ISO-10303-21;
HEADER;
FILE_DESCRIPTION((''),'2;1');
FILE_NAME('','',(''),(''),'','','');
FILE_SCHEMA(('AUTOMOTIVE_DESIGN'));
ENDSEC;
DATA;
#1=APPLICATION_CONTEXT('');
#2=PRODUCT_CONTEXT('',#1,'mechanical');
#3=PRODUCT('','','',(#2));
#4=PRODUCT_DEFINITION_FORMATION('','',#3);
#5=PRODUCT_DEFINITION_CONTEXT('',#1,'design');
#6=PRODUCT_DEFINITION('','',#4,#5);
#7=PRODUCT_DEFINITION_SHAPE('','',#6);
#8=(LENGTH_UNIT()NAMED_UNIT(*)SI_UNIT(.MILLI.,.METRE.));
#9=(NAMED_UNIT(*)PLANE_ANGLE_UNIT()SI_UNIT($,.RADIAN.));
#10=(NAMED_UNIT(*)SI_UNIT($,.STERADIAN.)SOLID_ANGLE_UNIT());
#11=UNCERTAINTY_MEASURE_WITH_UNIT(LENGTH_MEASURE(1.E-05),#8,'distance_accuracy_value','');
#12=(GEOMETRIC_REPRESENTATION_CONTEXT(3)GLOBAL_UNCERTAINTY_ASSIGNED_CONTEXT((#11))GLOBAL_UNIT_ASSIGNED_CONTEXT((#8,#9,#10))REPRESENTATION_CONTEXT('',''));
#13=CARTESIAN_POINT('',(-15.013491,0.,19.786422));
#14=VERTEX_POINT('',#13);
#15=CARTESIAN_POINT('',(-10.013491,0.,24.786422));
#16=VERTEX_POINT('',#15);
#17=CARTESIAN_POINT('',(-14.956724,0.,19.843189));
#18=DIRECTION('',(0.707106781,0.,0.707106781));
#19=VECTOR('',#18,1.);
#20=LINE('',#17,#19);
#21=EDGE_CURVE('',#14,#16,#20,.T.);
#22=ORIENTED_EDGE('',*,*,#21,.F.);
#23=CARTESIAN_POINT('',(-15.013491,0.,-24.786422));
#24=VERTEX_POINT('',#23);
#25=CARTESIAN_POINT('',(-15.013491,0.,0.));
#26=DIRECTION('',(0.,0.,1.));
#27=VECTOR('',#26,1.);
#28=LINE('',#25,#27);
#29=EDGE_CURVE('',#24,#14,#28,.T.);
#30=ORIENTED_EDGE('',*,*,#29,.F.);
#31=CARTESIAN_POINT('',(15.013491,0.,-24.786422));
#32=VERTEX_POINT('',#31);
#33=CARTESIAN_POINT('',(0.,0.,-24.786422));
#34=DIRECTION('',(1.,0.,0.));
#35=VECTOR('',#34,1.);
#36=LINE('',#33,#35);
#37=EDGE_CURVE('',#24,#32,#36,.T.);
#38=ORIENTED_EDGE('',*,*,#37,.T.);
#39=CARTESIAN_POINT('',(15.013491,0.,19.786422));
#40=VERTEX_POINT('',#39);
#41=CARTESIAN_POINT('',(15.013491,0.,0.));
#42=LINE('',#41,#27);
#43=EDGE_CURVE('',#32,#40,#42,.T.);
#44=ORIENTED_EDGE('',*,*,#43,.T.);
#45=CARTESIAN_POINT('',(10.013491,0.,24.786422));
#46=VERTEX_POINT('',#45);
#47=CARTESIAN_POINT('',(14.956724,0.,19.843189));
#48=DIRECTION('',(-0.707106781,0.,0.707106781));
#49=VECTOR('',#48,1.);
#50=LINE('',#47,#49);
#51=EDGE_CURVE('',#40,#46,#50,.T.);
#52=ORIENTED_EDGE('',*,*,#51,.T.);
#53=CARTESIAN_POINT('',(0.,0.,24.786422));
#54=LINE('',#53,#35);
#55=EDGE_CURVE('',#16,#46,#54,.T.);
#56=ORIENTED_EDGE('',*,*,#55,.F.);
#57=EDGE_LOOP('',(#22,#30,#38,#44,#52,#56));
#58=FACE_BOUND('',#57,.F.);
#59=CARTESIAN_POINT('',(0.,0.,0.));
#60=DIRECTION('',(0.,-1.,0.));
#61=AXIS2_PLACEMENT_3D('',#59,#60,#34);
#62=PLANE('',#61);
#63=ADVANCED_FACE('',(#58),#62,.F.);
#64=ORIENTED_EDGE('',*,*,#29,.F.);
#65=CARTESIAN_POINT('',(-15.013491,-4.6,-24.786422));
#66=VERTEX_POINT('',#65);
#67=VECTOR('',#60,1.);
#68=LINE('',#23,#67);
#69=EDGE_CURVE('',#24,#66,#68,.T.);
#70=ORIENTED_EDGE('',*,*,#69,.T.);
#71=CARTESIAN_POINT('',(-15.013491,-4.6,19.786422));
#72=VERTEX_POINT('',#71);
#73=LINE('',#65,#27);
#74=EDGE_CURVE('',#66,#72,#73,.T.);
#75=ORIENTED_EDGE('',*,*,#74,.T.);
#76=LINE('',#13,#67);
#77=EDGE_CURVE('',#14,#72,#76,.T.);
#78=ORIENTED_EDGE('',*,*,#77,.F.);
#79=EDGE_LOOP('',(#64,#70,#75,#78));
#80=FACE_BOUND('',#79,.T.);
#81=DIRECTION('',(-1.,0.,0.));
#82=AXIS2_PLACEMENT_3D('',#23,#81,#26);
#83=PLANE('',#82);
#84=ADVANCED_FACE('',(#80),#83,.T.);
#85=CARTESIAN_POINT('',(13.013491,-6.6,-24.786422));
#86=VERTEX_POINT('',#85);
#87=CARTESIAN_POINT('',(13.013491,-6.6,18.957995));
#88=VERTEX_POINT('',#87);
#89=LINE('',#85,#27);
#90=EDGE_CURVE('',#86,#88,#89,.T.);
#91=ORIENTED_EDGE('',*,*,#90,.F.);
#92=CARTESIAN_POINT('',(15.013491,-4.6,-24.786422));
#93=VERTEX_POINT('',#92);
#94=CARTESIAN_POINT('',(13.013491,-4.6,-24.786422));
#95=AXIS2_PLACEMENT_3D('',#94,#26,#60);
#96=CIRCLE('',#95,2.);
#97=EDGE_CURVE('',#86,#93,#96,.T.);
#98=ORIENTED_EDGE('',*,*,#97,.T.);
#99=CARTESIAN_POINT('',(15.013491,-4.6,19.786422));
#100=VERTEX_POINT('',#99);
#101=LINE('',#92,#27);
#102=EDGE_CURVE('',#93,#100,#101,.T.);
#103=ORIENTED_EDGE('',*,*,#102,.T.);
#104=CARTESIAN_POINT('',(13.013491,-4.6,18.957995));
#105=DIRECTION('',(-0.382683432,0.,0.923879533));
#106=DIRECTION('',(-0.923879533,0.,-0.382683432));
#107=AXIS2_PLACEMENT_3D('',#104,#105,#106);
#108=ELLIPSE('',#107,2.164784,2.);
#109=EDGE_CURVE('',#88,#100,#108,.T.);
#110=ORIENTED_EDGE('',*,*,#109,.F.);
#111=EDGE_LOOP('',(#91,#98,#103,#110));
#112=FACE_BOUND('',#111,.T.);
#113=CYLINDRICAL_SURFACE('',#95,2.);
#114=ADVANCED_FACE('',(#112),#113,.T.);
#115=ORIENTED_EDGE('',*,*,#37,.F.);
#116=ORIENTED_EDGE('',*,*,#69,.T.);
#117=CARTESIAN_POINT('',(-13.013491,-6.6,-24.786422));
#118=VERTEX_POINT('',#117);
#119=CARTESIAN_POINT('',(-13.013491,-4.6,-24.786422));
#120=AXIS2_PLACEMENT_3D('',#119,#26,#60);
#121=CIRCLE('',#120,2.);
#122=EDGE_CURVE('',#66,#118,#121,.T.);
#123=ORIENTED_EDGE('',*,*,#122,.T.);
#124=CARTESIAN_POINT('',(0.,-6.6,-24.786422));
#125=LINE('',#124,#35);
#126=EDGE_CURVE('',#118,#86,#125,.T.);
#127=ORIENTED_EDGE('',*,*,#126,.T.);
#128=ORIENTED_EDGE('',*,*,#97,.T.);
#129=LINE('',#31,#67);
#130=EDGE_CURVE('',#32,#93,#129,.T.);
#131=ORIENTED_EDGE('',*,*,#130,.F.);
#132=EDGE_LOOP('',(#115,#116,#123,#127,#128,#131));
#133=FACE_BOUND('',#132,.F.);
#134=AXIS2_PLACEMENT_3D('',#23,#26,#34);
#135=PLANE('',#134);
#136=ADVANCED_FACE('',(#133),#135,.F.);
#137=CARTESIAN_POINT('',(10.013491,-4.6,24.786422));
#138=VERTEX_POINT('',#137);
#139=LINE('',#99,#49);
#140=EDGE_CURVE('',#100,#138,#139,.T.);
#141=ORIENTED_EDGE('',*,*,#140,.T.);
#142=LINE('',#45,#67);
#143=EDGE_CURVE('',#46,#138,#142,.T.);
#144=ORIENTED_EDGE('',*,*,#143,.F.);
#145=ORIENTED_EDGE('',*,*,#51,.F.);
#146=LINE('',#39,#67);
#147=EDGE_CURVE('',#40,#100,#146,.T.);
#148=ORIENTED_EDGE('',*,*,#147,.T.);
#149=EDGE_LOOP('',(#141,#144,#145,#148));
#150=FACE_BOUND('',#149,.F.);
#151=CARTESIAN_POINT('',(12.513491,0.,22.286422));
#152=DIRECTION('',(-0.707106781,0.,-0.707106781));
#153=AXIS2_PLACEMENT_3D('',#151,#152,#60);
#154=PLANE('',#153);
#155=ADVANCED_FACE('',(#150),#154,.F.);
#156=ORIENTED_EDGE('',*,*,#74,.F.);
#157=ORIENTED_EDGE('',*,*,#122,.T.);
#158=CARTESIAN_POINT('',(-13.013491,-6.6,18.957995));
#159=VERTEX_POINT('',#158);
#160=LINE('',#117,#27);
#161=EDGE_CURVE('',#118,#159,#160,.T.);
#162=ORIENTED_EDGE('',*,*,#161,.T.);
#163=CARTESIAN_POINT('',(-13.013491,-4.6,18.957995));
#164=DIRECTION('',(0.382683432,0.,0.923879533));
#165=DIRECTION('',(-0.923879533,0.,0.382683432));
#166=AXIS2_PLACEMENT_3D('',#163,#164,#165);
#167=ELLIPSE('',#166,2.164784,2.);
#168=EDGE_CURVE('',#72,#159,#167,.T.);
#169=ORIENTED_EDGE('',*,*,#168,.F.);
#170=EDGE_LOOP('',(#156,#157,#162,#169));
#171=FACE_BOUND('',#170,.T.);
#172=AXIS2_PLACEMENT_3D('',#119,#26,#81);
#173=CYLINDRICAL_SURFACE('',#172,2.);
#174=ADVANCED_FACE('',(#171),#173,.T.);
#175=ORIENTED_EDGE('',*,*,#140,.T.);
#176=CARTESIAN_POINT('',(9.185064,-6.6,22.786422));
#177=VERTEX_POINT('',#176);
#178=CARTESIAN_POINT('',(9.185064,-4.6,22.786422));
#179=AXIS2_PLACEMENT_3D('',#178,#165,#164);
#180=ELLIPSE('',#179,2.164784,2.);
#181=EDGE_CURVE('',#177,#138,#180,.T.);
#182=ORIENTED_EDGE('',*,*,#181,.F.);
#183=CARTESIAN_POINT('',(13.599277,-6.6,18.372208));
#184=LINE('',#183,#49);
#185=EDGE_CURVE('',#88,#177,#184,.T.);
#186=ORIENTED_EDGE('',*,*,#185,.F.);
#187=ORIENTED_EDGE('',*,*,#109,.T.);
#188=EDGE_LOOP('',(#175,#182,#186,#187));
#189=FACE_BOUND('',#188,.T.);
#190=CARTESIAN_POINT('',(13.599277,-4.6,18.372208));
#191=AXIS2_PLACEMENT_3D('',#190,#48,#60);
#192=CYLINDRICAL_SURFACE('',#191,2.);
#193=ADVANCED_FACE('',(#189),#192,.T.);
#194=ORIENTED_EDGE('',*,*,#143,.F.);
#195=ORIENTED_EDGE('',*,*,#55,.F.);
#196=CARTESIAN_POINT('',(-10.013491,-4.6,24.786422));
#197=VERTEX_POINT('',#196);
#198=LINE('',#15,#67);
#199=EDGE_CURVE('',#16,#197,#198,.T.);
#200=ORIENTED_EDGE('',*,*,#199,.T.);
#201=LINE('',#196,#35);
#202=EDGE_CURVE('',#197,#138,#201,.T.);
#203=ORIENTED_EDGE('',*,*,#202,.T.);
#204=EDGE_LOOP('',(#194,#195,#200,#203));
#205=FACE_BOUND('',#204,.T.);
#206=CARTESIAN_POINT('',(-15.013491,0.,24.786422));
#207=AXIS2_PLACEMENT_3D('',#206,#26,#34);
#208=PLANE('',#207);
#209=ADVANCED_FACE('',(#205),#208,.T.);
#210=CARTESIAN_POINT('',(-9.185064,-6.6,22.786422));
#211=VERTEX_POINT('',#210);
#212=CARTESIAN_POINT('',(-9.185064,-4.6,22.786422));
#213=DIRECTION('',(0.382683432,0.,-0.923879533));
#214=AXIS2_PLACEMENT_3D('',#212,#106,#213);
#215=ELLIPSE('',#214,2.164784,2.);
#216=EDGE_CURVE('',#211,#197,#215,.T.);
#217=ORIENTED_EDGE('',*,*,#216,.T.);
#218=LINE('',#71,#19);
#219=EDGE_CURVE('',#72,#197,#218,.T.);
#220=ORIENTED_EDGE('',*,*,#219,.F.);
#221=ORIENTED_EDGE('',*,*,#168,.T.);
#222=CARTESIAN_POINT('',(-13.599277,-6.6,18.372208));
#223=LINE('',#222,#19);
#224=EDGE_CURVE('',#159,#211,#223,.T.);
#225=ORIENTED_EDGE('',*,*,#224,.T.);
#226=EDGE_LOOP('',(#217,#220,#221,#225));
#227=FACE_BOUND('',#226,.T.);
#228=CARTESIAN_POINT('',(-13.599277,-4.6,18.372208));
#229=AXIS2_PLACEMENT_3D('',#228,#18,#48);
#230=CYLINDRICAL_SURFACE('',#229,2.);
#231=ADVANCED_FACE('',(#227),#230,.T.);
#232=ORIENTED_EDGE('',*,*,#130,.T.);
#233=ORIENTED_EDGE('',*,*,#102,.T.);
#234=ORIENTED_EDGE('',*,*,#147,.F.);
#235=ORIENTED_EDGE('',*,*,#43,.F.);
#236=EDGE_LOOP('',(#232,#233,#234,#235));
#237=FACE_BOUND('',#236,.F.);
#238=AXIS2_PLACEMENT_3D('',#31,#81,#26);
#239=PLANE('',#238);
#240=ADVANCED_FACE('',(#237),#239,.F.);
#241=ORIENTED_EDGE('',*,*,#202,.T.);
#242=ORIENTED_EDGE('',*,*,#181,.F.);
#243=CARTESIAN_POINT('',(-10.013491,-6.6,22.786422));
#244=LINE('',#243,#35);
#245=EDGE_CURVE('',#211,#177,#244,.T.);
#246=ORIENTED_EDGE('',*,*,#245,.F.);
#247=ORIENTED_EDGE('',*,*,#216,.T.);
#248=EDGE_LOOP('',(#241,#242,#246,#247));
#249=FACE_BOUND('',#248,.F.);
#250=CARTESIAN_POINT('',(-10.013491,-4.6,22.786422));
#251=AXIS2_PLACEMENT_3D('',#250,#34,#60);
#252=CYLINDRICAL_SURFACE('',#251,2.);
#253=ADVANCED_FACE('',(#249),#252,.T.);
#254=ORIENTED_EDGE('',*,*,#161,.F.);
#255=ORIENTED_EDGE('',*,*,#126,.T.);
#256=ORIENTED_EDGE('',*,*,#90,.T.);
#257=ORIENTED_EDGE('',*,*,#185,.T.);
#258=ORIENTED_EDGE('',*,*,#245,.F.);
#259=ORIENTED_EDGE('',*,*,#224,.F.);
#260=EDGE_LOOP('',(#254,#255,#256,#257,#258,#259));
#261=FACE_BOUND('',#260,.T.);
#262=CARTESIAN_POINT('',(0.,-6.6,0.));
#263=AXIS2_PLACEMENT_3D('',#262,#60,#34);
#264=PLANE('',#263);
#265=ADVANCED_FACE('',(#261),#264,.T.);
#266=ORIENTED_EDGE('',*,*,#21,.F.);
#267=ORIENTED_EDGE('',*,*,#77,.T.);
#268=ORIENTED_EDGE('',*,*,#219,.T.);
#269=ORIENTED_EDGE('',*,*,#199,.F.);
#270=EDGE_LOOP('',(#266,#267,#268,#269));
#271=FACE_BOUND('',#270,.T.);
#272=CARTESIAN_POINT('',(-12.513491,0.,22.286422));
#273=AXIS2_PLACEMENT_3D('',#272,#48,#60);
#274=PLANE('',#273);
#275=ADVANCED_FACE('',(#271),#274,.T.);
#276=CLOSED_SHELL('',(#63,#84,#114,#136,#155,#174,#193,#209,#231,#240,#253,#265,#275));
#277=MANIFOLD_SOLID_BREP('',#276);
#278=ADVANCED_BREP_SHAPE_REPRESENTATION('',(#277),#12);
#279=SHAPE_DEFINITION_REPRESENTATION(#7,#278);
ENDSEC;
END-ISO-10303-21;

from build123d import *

# Parameters (mm, degrees)
F0_W     = 30.0269816071
F0_H     = 49.5728440583
F1_DEPTH = 6.6
F2_SIZE  = 5
F3_R     = 2


with BuildPart() as f1:
    # F0 (on Front) → F1 (new body)
    with BuildSketch(Plane.XZ):
        Rectangle(F0_W, F0_H)
    extrude(amount=F1_DEPTH)

    # F2
    f2_edges = [f1.edges().sort_by_distance(p)[0] for p in [
        (-15.013491, -3.3, 24.786422),
        (15.013491, -3.3, 24.786422),
    ]]
    chamfer(f2_edges, length=F2_SIZE)

    # F3
    f3_edges = [f1.edges().sort_by_distance(p)[0] for p in [
        (12.513491, -6.6, 22.286422),
        (-15.013491, -6.6, -2.5),
        (0, -6.6, 24.786422),
        (15.013491, -6.6, -2.5),
        (-12.513491, -6.6, 22.286422),
    ]]
    fillet(f3_edges, radius=F3_R)


solid = f1.part
